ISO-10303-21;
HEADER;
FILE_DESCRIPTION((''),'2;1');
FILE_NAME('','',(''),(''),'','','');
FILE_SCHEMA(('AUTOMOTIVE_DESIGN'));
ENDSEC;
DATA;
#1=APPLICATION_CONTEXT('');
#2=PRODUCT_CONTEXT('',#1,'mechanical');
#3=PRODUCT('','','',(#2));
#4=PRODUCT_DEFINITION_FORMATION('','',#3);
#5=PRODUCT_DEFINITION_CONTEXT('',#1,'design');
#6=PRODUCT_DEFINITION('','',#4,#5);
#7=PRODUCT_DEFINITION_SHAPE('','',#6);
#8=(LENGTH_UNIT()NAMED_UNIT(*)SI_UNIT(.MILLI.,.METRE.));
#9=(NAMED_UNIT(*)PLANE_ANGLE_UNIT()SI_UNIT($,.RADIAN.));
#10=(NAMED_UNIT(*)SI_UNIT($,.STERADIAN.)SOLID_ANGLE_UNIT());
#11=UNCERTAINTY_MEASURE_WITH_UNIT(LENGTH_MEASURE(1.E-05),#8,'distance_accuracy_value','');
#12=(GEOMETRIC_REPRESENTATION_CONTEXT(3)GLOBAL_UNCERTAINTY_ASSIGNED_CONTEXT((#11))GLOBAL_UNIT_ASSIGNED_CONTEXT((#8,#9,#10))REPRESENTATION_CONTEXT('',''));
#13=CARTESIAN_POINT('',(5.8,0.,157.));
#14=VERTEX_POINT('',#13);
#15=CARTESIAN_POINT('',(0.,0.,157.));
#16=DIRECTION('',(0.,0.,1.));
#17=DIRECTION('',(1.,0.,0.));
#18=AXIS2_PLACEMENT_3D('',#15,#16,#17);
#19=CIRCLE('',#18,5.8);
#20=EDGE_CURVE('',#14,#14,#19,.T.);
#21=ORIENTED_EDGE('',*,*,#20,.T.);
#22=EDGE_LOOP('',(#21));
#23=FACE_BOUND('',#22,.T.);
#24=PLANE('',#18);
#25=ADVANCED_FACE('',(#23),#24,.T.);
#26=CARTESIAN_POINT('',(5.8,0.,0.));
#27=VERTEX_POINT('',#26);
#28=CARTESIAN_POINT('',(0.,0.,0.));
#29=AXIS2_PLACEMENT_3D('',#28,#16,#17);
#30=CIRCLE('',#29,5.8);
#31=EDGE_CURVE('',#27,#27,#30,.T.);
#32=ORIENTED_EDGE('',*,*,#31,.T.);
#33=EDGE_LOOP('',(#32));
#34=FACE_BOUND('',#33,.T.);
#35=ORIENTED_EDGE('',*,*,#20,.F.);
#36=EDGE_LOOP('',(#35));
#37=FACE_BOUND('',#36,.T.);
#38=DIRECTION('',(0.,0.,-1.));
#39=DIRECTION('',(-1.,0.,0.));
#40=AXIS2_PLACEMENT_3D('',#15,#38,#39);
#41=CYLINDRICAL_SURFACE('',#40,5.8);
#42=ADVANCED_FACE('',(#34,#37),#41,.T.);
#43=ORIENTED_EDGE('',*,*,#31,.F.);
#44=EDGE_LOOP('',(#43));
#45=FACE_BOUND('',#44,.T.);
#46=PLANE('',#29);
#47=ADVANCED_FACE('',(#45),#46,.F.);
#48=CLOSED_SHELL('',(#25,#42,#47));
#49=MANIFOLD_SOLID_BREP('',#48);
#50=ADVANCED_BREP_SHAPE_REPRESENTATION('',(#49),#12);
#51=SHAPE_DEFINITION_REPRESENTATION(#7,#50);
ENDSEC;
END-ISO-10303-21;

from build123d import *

# Parameters (mm, degrees)
SKETCH1_R           = 5.8
BOSS_EXTRUDE1_DEPTH = 157


with BuildPart() as part:
    # Sketch1 → Boss-Extrude1 (new body)
    with BuildSketch(Plane.XY):
        Circle(SKETCH1_R)
    extrude(amount=BOSS_EXTRUDE1_DEPTH)


solid = part.part
